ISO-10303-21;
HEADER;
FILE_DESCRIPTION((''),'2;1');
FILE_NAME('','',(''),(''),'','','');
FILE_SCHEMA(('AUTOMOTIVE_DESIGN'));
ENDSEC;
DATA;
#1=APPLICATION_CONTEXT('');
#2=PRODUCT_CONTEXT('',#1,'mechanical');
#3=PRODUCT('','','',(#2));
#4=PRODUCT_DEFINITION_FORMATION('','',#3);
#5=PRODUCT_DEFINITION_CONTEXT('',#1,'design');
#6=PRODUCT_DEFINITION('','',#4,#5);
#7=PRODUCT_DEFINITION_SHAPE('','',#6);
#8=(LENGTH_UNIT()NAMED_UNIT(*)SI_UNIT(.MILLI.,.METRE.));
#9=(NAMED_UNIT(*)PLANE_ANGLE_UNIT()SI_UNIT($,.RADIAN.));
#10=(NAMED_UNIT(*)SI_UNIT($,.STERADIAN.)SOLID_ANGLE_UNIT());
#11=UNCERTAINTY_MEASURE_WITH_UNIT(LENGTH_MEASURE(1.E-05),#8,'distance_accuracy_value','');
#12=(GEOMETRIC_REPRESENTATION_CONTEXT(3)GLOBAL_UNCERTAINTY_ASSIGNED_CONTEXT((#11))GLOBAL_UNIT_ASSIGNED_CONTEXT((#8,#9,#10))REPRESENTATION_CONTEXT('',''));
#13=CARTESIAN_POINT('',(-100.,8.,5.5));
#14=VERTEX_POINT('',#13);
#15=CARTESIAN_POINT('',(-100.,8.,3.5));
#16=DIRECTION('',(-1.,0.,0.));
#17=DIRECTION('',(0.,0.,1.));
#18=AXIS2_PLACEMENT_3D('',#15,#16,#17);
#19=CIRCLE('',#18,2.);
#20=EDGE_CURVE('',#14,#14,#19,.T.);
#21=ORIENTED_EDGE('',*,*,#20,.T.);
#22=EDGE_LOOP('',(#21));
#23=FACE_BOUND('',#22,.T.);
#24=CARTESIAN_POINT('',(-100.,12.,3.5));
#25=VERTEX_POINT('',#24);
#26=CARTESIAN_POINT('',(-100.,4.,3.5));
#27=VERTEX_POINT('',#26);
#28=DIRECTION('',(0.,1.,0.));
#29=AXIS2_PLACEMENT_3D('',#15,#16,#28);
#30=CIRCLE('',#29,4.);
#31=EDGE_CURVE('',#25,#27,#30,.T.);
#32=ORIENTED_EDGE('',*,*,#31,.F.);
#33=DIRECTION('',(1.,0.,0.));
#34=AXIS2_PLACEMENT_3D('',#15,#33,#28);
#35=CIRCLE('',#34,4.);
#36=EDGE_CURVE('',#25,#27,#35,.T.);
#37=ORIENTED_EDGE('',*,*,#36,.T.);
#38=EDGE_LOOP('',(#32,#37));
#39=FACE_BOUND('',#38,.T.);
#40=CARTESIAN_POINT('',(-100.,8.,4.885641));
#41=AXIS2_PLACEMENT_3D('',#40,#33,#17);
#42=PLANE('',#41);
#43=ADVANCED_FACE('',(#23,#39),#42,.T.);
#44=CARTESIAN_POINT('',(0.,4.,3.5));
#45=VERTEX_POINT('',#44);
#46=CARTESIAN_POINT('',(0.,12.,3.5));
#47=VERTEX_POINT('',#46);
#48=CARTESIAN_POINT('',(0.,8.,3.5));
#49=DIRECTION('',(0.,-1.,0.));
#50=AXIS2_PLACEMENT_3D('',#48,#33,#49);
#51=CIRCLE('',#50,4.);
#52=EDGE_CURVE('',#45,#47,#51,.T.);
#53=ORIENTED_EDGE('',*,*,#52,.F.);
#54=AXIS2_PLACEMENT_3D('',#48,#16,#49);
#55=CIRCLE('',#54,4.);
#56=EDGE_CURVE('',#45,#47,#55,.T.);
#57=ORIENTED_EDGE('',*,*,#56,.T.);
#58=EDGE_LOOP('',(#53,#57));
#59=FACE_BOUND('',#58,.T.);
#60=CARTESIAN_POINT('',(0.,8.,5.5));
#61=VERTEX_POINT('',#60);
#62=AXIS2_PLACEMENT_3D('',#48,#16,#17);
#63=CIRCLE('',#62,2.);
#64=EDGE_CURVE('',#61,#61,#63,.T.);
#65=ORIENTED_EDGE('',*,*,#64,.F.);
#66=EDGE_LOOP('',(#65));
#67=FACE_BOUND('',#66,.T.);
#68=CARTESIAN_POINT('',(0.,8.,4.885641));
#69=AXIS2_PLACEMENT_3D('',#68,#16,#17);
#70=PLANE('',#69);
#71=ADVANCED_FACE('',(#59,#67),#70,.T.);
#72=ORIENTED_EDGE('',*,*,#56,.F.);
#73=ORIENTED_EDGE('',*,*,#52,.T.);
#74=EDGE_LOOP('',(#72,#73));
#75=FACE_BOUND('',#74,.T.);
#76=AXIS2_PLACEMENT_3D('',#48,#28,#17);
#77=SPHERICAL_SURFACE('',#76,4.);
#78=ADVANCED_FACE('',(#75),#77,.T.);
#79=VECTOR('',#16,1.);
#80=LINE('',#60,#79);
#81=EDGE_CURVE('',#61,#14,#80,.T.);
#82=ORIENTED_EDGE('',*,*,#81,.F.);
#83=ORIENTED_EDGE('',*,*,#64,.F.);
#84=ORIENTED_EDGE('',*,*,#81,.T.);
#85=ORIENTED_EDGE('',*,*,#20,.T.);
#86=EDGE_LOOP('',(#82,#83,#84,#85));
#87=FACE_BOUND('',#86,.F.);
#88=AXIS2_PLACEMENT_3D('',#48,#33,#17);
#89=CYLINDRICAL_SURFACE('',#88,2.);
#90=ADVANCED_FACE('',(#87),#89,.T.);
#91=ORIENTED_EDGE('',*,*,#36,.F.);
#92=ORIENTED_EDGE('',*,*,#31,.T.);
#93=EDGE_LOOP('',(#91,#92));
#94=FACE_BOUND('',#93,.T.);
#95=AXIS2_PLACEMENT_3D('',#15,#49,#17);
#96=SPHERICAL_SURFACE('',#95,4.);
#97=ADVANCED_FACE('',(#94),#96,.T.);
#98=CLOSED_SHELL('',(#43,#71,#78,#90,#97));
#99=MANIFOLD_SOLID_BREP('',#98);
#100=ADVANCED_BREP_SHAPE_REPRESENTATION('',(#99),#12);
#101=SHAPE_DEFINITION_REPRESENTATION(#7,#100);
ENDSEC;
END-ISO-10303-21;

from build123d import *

# Parameters (mm, degrees)
SPHERE_ANGLE          = 180
SPHERE_ROLL_ANGLE     = -90
CYLINDER006_R         = 2
CYLINDER006_DEPTH     = 100
SPHERE001_ANGLE       = 180
SPHERE001_ROLL_ANGLE  = 90
FUSION001_PITCH_ANGLE = -90


with BuildPart() as sphere:
    # Sphere → Sphere (revolve)
    with BuildSketch(Plane.XZ):
        with BuildLine():
            ThreePointArc((0, -4), (4, 0), (0, 4))
            Line((0, 4), (0, -4))
        make_face()
    revolve(axis=Axis((0, 0, 0), (0, 0, 1)), revolution_arc=SPHERE_ANGLE)


with BuildPart() as sphere_1:
    # Sphere roll: moved
    add(sphere.part.rotate(Axis((0, 0, 0), (1, 0, 0)), SPHERE_ROLL_ANGLE))


with BuildPart() as sphere_2:
    # Sphere placement: moved
    add(sphere_1.part)


with BuildPart() as fusion:
    # Cylinder006 → Cylinder006 (new body)
    with BuildSketch(Plane.XY):
        Circle(CYLINDER006_R)
    extrude(amount=CYLINDER006_DEPTH)

    # Fusion: union Sphere
    add(sphere_2.part)


with BuildPart() as fusion001:
    # Sphere001 → Sphere001 (revolve)
    with BuildSketch(Plane.XZ):
        with BuildLine():
            ThreePointArc((0, -4), (4, 0), (0, 4))
            Line((0, 4), (0, -4))
        make_face()
    revolve(axis=Axis((0, 0, 0), (0, 0, 1)), revolution_arc=SPHERE001_ANGLE)


with BuildPart() as fusion001_1:
    # Sphere001 roll: moved
    add(fusion001.part.rotate(Axis((0, 0, 0), (1, 0, 0)), SPHERE001_ROLL_ANGLE))


with BuildPart() as fusion001_2:
    # Sphere001 placement: moved
    add(fusion001_1.part.moved(Location((0, 0, 100))))

    # Fusion001: union Fusion
    add(fusion.part)


with BuildPart() as fusion001_3:
    # Fusion001 pitch: moved
    add(fusion001_2.part.rotate(Axis((0, 0, 0), (0, 1, 0)), FUSION001_PITCH_ANGLE))


with BuildPart() as fusion001_4:
    # Fusion001 placement: moved
    add(fusion001_3.part.moved(Location((0, 8, 3.5))))


solid = fusion001_4.part
